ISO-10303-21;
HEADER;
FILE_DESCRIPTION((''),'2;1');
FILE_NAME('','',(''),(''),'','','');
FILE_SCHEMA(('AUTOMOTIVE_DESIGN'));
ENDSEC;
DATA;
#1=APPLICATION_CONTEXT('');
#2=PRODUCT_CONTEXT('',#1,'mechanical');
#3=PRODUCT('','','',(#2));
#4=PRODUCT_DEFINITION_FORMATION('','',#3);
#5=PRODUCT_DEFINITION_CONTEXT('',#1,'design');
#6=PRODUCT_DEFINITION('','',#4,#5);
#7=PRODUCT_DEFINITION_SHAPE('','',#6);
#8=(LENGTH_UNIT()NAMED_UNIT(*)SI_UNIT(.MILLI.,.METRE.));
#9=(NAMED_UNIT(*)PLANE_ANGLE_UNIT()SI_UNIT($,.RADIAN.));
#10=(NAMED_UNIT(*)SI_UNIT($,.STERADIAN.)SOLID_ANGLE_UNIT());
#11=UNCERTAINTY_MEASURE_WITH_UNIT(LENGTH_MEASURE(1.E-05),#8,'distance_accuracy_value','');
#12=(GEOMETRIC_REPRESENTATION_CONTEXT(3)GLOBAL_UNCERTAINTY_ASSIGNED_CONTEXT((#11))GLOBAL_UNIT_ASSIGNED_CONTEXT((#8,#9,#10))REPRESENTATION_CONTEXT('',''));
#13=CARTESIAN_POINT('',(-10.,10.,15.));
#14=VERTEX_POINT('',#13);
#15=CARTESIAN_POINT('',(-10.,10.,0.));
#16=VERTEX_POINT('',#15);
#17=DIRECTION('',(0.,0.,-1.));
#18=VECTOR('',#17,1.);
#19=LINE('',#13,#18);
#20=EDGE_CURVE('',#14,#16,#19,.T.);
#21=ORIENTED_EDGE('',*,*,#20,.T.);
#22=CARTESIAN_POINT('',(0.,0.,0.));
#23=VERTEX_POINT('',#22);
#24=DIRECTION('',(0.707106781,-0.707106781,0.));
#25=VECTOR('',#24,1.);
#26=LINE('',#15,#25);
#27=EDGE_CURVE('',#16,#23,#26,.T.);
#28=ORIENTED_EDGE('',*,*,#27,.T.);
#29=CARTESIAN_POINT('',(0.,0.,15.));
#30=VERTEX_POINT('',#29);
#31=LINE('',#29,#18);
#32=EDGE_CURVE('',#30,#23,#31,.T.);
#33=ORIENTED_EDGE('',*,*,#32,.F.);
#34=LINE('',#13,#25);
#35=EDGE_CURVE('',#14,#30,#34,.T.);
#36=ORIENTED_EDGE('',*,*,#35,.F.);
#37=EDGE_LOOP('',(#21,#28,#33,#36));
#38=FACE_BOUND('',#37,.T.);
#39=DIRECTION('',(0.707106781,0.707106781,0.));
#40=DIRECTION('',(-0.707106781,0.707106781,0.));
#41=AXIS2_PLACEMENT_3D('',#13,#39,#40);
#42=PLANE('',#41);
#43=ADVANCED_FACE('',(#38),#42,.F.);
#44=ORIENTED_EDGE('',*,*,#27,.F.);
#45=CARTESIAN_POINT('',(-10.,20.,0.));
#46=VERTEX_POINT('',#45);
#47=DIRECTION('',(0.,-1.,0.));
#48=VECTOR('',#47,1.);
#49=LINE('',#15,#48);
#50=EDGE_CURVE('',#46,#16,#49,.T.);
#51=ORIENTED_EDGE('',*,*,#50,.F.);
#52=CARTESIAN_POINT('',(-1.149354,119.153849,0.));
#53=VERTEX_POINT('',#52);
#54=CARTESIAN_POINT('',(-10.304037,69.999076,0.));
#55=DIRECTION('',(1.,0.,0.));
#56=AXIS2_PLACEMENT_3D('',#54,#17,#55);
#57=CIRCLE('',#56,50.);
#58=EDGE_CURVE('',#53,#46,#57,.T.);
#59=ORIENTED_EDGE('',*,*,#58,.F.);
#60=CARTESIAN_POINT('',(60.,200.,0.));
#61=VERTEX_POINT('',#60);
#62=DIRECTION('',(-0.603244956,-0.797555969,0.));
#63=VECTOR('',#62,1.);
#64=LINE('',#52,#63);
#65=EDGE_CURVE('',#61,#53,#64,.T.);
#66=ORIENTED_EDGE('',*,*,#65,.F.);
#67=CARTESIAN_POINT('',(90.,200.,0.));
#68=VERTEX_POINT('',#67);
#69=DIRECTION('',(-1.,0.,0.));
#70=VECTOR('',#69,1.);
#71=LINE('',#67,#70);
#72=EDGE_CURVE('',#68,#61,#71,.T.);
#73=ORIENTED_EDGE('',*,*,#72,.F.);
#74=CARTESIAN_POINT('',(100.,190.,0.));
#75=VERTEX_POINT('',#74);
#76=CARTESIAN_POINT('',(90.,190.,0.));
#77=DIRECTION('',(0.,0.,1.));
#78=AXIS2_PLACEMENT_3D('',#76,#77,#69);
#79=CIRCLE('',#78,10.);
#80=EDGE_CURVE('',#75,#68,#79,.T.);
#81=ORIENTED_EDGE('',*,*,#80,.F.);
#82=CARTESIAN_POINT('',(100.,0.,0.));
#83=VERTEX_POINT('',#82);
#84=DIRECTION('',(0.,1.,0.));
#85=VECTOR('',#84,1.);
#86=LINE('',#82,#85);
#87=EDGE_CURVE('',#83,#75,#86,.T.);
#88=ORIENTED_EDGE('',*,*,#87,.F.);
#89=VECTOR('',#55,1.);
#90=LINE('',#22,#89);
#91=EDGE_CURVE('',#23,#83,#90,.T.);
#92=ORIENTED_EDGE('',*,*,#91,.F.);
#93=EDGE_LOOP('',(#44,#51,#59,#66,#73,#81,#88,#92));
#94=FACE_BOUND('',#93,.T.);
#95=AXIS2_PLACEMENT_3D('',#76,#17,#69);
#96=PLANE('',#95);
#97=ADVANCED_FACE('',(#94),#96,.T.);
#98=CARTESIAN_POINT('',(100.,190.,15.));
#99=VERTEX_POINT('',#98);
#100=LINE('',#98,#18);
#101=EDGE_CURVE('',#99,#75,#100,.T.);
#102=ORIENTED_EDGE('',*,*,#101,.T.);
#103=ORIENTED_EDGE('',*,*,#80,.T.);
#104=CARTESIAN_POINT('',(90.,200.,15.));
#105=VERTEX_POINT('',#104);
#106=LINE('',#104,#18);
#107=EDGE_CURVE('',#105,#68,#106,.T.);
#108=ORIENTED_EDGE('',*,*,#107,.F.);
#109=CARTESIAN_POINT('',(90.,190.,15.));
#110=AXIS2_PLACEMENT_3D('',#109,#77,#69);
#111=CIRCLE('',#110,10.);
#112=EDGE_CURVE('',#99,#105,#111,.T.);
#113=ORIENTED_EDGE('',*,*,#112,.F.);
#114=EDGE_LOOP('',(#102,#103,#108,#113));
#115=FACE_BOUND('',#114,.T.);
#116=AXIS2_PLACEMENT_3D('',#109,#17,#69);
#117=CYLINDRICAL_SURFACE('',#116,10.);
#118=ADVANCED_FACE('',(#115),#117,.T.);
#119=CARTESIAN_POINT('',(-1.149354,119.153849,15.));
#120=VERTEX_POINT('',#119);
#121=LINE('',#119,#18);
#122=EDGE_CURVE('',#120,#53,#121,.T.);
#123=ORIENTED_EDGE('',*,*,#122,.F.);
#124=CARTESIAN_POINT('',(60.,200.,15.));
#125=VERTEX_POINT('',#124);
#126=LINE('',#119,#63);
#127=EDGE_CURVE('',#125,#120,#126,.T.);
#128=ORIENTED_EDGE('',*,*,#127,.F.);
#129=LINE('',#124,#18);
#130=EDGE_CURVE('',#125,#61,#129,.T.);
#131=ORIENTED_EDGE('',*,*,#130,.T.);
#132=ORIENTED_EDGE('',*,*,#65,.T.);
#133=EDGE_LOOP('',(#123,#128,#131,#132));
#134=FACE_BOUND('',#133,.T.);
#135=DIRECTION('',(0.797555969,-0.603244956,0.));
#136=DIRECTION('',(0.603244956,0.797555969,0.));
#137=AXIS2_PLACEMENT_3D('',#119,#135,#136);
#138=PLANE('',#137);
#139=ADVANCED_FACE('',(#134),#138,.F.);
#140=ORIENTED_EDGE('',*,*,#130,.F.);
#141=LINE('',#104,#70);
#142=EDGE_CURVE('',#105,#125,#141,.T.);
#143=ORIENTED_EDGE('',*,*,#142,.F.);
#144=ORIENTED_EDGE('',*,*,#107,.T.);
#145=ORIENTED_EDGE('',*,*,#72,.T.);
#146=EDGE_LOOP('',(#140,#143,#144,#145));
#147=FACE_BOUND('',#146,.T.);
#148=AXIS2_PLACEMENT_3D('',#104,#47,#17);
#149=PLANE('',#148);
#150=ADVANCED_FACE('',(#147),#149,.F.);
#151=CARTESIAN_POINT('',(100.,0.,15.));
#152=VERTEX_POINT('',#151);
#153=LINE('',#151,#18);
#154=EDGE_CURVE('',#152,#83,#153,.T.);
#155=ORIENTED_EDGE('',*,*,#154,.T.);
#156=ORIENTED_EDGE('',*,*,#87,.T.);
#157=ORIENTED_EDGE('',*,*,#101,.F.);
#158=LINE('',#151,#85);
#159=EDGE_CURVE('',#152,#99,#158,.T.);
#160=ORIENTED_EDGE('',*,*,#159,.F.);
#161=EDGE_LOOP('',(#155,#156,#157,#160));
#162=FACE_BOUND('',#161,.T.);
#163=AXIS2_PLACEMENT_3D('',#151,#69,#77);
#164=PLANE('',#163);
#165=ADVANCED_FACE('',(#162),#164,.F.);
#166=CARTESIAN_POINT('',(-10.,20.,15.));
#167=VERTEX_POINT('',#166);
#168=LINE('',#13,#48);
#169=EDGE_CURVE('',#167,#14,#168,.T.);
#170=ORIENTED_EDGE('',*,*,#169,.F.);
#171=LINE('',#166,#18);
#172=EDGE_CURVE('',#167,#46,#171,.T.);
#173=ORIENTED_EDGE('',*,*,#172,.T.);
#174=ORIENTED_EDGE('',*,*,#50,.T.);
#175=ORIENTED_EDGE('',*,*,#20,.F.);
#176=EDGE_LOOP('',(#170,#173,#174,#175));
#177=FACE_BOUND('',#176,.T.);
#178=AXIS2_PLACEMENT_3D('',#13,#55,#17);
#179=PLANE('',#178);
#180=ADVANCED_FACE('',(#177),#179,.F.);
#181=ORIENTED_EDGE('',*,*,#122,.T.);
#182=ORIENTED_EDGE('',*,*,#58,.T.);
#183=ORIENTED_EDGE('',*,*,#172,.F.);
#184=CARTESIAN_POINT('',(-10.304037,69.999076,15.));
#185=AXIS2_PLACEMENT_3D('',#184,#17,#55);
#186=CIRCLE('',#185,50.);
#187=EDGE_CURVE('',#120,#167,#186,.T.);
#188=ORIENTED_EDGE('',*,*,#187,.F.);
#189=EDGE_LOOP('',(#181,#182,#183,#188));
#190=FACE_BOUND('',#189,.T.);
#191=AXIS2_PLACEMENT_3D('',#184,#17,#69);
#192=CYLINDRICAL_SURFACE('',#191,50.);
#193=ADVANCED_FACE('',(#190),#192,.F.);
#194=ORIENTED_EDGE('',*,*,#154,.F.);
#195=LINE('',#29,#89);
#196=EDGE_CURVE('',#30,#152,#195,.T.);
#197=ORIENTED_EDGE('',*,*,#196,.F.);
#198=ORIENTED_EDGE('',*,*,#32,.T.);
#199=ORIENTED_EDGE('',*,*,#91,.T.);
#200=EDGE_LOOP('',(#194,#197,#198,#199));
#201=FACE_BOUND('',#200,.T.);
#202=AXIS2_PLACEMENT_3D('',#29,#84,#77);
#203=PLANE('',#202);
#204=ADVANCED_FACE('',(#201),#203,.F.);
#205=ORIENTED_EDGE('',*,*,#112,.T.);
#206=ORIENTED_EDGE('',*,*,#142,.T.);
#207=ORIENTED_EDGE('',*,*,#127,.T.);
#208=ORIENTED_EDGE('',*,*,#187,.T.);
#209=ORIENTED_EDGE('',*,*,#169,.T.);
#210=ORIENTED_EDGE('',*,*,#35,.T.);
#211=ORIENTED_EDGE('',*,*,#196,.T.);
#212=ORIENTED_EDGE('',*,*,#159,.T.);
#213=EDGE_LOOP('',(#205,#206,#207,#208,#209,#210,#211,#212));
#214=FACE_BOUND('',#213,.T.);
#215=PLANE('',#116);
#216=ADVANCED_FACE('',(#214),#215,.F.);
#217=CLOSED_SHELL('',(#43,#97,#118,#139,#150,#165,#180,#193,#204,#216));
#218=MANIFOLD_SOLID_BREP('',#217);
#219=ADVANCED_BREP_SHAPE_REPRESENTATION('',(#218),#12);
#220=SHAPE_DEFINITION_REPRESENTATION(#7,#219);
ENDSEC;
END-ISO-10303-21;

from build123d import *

# Parameters (mm, degrees)
BOSS_EXTRUDE1_DEPTH = 15


with BuildPart() as part:
    # Sketch1 → Boss-Extrude1 (new body)
    with BuildSketch(Plane.XY):
        with BuildLine():
            Line((0, 0), (100, 0))
            Line((100, 0), (100, 190))
            ThreePointArc((100, 190), (97.071067812, 197.071067812), (90, 200))
            Line((90, 200), (60, 200))
            Line((60, 200), (-1.149354388, 119.153849333))
            ThreePointArc((-1.149354388, 119.153849333), (39.497953664, 65.553662986), (-10, 20))
            Line((-10, 20), (-10, 10))
            Line((-10, 10), (0, 0))
        make_face()
    extrude(amount=BOSS_EXTRUDE1_DEPTH)


solid = part.part
